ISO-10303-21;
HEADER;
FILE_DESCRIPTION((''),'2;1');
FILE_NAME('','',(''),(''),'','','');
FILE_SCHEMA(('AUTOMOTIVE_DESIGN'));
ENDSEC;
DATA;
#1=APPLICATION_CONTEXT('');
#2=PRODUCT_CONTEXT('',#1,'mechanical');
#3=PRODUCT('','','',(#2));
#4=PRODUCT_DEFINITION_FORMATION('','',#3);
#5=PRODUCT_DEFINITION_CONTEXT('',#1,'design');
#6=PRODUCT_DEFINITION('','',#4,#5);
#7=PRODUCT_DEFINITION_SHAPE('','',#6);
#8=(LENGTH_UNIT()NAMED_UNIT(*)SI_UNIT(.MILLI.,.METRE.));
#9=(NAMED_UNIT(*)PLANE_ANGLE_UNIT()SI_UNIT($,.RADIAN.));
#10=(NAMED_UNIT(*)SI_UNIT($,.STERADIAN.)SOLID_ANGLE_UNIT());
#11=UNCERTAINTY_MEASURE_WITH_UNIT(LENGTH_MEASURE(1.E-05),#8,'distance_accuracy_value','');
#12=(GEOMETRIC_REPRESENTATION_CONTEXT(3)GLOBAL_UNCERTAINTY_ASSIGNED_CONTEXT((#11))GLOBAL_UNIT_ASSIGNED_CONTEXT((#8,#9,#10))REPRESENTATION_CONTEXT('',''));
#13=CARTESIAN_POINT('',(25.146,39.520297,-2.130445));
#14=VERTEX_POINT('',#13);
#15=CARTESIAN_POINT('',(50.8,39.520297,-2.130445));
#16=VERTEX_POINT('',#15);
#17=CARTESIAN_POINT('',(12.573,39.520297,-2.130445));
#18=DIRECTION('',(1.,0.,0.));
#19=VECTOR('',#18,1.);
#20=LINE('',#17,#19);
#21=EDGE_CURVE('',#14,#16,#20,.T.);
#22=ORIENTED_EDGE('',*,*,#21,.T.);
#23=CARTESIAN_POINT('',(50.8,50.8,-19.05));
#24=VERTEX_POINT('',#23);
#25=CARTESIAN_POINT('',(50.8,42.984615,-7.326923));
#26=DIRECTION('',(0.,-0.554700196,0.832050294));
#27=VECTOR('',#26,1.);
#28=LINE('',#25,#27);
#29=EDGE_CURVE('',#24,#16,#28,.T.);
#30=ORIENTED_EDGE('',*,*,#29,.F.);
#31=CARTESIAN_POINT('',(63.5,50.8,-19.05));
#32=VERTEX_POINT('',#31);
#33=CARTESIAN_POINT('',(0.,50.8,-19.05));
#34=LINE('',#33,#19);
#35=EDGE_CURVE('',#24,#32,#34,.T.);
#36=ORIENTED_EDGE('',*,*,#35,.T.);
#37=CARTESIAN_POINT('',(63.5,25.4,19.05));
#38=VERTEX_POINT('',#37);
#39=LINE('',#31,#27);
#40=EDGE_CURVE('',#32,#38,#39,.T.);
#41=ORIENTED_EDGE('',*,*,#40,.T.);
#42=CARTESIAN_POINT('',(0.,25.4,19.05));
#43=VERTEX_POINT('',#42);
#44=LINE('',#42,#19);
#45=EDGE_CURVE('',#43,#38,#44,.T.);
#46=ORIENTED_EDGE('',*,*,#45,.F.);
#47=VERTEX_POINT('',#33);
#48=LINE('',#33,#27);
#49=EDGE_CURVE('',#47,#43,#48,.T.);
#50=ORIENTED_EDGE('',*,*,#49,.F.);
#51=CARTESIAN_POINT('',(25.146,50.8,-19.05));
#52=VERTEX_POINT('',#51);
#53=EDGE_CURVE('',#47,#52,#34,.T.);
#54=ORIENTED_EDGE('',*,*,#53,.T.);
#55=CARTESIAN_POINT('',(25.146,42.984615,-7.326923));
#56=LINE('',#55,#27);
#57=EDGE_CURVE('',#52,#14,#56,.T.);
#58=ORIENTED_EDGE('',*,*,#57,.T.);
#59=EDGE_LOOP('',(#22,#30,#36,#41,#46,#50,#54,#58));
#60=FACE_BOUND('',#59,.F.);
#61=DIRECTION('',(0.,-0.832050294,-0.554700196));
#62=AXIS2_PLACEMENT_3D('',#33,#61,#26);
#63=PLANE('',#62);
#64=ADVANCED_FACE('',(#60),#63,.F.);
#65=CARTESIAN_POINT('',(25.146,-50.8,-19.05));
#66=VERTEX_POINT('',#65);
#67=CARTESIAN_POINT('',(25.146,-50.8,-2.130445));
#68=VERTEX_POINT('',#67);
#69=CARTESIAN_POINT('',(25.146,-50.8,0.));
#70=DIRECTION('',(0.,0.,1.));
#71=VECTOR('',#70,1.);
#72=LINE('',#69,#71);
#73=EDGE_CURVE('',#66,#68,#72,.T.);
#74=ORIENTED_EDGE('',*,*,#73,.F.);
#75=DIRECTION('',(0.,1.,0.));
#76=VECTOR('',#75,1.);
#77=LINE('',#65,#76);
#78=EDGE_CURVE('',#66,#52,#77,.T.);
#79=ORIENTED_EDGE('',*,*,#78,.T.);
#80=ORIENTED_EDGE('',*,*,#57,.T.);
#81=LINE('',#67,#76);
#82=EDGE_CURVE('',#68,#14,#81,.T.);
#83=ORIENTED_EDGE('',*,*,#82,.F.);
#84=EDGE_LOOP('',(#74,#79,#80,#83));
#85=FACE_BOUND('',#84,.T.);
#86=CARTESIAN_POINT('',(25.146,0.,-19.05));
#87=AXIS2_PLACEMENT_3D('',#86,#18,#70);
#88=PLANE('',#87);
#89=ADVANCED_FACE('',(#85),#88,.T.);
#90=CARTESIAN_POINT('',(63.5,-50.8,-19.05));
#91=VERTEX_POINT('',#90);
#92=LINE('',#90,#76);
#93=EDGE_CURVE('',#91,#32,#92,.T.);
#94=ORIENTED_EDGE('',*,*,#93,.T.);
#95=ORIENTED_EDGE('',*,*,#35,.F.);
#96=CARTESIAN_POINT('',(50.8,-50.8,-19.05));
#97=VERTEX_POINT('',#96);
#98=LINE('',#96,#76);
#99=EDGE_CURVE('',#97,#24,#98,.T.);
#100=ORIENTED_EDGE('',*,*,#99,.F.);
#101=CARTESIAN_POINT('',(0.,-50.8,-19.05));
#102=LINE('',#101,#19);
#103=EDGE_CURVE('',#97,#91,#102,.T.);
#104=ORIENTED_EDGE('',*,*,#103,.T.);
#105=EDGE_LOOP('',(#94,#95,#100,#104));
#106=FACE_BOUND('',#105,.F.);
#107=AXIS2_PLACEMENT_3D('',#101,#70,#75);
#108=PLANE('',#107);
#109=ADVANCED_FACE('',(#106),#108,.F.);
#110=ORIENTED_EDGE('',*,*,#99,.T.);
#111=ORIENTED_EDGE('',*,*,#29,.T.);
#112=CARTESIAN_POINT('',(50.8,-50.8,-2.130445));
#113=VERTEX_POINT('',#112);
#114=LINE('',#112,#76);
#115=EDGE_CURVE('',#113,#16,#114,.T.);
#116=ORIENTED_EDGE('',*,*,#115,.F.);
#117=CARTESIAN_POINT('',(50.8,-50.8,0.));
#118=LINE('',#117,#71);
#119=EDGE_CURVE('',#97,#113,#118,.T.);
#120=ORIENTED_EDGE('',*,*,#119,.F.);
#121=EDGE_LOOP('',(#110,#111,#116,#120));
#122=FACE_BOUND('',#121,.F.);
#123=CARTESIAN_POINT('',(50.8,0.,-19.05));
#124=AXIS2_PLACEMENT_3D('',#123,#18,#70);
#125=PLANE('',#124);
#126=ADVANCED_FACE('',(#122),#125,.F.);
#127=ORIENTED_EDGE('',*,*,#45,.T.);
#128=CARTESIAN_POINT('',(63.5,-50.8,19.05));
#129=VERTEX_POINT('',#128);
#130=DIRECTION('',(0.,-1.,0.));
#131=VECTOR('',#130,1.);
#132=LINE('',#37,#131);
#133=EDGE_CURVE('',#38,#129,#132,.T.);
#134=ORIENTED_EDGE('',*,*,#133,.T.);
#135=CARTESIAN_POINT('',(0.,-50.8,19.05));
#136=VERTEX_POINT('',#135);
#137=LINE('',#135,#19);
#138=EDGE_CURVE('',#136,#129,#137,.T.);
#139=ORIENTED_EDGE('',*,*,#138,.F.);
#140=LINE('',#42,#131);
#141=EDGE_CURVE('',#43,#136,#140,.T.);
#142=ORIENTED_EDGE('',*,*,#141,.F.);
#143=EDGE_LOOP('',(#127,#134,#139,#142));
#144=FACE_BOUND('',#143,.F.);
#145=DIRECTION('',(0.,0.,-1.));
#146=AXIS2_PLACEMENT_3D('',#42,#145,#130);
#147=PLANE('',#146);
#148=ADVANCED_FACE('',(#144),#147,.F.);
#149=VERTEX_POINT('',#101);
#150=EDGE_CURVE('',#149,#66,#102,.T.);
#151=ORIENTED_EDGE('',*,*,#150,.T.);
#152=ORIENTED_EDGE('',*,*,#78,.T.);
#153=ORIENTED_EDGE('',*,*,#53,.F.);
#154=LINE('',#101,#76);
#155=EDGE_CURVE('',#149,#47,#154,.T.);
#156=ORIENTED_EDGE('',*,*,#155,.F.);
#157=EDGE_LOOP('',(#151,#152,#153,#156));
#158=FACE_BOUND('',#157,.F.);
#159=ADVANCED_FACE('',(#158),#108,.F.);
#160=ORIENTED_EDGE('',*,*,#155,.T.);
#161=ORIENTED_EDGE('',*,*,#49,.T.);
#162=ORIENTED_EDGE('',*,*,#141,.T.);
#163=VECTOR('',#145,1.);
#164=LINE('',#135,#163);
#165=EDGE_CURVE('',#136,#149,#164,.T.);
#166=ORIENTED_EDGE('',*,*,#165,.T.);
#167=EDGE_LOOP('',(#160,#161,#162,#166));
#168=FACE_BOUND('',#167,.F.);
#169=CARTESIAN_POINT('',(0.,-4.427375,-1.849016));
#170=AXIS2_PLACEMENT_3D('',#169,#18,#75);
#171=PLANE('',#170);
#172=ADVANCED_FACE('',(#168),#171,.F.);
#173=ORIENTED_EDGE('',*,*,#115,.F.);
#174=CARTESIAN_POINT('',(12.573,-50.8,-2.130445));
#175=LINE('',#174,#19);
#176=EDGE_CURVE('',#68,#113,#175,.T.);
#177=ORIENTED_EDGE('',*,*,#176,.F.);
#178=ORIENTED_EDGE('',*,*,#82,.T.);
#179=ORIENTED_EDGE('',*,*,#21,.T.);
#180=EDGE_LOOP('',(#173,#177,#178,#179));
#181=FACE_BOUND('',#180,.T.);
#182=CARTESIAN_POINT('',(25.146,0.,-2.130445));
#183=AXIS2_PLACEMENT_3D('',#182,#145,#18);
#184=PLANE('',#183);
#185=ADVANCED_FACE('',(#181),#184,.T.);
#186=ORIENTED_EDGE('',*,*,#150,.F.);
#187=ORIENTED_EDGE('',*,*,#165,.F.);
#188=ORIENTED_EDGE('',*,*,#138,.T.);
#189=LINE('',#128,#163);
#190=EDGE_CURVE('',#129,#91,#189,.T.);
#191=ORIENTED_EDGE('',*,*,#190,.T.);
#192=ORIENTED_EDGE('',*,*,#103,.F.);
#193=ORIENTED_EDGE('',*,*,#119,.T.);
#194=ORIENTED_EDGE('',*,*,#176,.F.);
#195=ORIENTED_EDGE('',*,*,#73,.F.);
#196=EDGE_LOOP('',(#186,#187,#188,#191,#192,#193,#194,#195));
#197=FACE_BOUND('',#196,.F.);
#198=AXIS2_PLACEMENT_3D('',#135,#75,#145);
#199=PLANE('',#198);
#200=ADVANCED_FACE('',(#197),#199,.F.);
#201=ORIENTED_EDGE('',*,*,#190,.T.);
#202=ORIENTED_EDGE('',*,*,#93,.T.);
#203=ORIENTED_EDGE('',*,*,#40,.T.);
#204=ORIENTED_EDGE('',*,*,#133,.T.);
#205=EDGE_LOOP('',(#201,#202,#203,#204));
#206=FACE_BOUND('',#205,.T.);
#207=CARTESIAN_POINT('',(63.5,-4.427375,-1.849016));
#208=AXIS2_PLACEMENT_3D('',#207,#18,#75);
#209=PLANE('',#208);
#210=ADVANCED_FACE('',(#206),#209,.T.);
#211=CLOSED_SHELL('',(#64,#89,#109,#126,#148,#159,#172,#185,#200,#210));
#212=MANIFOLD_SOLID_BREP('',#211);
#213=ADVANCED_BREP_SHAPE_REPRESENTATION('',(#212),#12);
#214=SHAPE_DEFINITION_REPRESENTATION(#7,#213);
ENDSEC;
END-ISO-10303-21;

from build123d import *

# Parameters (mm, degrees)
F1_DEPTH      = 63.5
F2_W          = 25.654
F2_H          = 16.9195546743
F3_DEPTH      = 50.801
F3_DEPTH_BACK = 50.801


with BuildPart() as f1:
    # F0 (on Right) → F1 (new body)
    with BuildSketch(Plane.YZ):
        Polygon((25.4, 19.05), (-50.8, 19.05), (-50.8, -19.05), (50.8, -19.05), align=None)
    extrude(amount=F1_DEPTH)

    # F2 (on Front) → F3 (cut, two sides)
    with BuildSketch(Plane.XZ) as f3_sk:
        with Locations((37.973, -10.5902226629)):
            Rectangle(F2_W, F2_H)
    extrude(amount=-F3_DEPTH, mode=Mode.SUBTRACT)
    extrude(f3_sk.sketch, amount=F3_DEPTH_BACK, mode=Mode.SUBTRACT)


solid = f1.part
